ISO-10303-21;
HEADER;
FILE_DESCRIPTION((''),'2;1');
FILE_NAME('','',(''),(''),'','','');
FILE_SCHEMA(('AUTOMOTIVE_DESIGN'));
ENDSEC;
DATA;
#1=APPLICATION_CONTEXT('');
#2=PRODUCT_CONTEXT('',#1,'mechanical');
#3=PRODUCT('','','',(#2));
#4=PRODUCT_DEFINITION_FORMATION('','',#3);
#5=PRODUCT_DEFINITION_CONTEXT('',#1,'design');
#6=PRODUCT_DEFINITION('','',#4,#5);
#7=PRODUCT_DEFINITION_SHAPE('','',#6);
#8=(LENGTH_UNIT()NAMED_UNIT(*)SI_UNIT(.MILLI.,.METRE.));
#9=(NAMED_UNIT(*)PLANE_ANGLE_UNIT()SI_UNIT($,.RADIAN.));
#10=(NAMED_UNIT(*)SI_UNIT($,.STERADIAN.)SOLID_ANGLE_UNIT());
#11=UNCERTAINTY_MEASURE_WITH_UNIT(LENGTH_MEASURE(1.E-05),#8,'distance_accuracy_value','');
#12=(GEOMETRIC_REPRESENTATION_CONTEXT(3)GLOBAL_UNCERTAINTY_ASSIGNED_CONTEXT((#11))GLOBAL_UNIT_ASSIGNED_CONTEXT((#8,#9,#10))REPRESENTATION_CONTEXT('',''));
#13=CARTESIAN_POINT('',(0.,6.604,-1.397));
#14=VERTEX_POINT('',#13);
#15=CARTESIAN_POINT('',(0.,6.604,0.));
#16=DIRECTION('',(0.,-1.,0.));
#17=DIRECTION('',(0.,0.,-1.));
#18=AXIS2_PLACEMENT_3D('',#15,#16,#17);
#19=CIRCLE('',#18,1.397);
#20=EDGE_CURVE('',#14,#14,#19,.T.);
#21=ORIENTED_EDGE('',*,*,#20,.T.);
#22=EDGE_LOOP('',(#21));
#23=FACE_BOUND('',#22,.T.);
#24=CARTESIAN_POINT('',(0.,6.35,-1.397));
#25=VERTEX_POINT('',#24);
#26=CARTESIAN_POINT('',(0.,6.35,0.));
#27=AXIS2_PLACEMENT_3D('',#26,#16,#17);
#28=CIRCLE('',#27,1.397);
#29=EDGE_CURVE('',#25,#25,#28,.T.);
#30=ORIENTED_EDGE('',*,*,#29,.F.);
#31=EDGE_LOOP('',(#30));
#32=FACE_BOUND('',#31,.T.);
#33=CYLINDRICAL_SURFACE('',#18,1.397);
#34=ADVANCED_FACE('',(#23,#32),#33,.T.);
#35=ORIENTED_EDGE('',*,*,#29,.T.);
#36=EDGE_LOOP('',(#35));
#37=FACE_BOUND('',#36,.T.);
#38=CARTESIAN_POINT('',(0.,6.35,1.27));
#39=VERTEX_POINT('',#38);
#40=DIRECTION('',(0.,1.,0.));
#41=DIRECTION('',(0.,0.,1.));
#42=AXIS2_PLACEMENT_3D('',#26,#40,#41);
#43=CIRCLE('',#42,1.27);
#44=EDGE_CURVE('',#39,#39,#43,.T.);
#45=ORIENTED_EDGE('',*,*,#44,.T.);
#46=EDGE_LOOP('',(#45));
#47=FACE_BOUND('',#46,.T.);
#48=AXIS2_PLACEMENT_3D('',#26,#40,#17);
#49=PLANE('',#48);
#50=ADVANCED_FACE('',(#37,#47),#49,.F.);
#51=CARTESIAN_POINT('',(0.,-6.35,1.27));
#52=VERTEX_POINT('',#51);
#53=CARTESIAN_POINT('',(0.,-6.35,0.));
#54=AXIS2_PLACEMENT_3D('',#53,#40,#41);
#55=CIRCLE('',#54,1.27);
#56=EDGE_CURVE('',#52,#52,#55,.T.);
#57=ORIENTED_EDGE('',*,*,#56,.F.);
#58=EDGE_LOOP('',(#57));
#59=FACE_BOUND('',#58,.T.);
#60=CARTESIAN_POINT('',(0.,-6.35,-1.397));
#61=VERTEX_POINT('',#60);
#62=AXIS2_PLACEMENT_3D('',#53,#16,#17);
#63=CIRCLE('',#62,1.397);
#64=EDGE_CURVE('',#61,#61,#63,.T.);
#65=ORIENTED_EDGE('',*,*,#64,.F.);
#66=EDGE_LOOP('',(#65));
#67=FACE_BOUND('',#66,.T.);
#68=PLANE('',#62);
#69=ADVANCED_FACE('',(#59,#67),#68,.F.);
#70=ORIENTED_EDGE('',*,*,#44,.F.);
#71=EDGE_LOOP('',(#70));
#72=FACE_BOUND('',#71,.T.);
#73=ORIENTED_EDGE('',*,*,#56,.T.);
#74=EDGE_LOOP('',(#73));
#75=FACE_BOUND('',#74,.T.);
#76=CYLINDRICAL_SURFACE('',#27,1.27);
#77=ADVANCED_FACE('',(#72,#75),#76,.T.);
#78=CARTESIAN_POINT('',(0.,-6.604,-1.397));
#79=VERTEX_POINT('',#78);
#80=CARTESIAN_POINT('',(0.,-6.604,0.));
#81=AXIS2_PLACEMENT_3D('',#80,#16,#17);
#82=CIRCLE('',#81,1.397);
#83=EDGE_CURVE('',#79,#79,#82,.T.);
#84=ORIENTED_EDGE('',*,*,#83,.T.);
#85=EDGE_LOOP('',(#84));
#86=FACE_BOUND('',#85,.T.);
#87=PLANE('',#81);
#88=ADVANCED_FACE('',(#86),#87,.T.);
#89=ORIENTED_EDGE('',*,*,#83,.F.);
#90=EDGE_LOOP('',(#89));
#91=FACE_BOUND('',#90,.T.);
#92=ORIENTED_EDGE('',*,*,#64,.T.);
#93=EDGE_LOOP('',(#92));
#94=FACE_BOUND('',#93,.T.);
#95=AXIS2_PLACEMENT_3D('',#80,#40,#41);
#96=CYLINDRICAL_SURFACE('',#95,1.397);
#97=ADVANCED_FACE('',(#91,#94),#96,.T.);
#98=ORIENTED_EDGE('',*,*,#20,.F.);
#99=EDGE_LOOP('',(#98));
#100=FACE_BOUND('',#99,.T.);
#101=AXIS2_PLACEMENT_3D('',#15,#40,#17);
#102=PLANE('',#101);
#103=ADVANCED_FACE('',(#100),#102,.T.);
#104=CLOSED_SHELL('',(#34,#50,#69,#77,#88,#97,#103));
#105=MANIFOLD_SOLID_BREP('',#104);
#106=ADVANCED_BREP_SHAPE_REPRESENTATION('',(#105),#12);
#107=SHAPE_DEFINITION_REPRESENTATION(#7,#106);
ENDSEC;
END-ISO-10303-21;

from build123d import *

# Parameters (mm, degrees)
SKETCH1_R           = 1.27
BOSS_EXTRUDE1_DEPTH = 6.35
SKETCH2_R           = 1.397
BOSS_EXTRUDE2_DEPTH = 0.254


with BuildPart() as part:
    # Sketch1 → Boss-Extrude1 (new body, symmetric)
    with BuildSketch(Plane(origin=(0, 0, 0), x_dir=(1, 0, 0), z_dir=(0, 1, 0))):
        Circle(SKETCH1_R)
    extrude(amount=BOSS_EXTRUDE1_DEPTH, both=True)

    # Sketch2 → Boss-Extrude2 (add)
    with BuildSketch(Plane.XZ.offset(6.35)):
        Circle(SKETCH2_R)
    boss_extrude2 = extrude(amount=BOSS_EXTRUDE2_DEPTH)

    # Mirror1: Boss-Extrude2 across plane
    add(boss_extrude2.mirror(Plane.ZX))


solid = part.part
